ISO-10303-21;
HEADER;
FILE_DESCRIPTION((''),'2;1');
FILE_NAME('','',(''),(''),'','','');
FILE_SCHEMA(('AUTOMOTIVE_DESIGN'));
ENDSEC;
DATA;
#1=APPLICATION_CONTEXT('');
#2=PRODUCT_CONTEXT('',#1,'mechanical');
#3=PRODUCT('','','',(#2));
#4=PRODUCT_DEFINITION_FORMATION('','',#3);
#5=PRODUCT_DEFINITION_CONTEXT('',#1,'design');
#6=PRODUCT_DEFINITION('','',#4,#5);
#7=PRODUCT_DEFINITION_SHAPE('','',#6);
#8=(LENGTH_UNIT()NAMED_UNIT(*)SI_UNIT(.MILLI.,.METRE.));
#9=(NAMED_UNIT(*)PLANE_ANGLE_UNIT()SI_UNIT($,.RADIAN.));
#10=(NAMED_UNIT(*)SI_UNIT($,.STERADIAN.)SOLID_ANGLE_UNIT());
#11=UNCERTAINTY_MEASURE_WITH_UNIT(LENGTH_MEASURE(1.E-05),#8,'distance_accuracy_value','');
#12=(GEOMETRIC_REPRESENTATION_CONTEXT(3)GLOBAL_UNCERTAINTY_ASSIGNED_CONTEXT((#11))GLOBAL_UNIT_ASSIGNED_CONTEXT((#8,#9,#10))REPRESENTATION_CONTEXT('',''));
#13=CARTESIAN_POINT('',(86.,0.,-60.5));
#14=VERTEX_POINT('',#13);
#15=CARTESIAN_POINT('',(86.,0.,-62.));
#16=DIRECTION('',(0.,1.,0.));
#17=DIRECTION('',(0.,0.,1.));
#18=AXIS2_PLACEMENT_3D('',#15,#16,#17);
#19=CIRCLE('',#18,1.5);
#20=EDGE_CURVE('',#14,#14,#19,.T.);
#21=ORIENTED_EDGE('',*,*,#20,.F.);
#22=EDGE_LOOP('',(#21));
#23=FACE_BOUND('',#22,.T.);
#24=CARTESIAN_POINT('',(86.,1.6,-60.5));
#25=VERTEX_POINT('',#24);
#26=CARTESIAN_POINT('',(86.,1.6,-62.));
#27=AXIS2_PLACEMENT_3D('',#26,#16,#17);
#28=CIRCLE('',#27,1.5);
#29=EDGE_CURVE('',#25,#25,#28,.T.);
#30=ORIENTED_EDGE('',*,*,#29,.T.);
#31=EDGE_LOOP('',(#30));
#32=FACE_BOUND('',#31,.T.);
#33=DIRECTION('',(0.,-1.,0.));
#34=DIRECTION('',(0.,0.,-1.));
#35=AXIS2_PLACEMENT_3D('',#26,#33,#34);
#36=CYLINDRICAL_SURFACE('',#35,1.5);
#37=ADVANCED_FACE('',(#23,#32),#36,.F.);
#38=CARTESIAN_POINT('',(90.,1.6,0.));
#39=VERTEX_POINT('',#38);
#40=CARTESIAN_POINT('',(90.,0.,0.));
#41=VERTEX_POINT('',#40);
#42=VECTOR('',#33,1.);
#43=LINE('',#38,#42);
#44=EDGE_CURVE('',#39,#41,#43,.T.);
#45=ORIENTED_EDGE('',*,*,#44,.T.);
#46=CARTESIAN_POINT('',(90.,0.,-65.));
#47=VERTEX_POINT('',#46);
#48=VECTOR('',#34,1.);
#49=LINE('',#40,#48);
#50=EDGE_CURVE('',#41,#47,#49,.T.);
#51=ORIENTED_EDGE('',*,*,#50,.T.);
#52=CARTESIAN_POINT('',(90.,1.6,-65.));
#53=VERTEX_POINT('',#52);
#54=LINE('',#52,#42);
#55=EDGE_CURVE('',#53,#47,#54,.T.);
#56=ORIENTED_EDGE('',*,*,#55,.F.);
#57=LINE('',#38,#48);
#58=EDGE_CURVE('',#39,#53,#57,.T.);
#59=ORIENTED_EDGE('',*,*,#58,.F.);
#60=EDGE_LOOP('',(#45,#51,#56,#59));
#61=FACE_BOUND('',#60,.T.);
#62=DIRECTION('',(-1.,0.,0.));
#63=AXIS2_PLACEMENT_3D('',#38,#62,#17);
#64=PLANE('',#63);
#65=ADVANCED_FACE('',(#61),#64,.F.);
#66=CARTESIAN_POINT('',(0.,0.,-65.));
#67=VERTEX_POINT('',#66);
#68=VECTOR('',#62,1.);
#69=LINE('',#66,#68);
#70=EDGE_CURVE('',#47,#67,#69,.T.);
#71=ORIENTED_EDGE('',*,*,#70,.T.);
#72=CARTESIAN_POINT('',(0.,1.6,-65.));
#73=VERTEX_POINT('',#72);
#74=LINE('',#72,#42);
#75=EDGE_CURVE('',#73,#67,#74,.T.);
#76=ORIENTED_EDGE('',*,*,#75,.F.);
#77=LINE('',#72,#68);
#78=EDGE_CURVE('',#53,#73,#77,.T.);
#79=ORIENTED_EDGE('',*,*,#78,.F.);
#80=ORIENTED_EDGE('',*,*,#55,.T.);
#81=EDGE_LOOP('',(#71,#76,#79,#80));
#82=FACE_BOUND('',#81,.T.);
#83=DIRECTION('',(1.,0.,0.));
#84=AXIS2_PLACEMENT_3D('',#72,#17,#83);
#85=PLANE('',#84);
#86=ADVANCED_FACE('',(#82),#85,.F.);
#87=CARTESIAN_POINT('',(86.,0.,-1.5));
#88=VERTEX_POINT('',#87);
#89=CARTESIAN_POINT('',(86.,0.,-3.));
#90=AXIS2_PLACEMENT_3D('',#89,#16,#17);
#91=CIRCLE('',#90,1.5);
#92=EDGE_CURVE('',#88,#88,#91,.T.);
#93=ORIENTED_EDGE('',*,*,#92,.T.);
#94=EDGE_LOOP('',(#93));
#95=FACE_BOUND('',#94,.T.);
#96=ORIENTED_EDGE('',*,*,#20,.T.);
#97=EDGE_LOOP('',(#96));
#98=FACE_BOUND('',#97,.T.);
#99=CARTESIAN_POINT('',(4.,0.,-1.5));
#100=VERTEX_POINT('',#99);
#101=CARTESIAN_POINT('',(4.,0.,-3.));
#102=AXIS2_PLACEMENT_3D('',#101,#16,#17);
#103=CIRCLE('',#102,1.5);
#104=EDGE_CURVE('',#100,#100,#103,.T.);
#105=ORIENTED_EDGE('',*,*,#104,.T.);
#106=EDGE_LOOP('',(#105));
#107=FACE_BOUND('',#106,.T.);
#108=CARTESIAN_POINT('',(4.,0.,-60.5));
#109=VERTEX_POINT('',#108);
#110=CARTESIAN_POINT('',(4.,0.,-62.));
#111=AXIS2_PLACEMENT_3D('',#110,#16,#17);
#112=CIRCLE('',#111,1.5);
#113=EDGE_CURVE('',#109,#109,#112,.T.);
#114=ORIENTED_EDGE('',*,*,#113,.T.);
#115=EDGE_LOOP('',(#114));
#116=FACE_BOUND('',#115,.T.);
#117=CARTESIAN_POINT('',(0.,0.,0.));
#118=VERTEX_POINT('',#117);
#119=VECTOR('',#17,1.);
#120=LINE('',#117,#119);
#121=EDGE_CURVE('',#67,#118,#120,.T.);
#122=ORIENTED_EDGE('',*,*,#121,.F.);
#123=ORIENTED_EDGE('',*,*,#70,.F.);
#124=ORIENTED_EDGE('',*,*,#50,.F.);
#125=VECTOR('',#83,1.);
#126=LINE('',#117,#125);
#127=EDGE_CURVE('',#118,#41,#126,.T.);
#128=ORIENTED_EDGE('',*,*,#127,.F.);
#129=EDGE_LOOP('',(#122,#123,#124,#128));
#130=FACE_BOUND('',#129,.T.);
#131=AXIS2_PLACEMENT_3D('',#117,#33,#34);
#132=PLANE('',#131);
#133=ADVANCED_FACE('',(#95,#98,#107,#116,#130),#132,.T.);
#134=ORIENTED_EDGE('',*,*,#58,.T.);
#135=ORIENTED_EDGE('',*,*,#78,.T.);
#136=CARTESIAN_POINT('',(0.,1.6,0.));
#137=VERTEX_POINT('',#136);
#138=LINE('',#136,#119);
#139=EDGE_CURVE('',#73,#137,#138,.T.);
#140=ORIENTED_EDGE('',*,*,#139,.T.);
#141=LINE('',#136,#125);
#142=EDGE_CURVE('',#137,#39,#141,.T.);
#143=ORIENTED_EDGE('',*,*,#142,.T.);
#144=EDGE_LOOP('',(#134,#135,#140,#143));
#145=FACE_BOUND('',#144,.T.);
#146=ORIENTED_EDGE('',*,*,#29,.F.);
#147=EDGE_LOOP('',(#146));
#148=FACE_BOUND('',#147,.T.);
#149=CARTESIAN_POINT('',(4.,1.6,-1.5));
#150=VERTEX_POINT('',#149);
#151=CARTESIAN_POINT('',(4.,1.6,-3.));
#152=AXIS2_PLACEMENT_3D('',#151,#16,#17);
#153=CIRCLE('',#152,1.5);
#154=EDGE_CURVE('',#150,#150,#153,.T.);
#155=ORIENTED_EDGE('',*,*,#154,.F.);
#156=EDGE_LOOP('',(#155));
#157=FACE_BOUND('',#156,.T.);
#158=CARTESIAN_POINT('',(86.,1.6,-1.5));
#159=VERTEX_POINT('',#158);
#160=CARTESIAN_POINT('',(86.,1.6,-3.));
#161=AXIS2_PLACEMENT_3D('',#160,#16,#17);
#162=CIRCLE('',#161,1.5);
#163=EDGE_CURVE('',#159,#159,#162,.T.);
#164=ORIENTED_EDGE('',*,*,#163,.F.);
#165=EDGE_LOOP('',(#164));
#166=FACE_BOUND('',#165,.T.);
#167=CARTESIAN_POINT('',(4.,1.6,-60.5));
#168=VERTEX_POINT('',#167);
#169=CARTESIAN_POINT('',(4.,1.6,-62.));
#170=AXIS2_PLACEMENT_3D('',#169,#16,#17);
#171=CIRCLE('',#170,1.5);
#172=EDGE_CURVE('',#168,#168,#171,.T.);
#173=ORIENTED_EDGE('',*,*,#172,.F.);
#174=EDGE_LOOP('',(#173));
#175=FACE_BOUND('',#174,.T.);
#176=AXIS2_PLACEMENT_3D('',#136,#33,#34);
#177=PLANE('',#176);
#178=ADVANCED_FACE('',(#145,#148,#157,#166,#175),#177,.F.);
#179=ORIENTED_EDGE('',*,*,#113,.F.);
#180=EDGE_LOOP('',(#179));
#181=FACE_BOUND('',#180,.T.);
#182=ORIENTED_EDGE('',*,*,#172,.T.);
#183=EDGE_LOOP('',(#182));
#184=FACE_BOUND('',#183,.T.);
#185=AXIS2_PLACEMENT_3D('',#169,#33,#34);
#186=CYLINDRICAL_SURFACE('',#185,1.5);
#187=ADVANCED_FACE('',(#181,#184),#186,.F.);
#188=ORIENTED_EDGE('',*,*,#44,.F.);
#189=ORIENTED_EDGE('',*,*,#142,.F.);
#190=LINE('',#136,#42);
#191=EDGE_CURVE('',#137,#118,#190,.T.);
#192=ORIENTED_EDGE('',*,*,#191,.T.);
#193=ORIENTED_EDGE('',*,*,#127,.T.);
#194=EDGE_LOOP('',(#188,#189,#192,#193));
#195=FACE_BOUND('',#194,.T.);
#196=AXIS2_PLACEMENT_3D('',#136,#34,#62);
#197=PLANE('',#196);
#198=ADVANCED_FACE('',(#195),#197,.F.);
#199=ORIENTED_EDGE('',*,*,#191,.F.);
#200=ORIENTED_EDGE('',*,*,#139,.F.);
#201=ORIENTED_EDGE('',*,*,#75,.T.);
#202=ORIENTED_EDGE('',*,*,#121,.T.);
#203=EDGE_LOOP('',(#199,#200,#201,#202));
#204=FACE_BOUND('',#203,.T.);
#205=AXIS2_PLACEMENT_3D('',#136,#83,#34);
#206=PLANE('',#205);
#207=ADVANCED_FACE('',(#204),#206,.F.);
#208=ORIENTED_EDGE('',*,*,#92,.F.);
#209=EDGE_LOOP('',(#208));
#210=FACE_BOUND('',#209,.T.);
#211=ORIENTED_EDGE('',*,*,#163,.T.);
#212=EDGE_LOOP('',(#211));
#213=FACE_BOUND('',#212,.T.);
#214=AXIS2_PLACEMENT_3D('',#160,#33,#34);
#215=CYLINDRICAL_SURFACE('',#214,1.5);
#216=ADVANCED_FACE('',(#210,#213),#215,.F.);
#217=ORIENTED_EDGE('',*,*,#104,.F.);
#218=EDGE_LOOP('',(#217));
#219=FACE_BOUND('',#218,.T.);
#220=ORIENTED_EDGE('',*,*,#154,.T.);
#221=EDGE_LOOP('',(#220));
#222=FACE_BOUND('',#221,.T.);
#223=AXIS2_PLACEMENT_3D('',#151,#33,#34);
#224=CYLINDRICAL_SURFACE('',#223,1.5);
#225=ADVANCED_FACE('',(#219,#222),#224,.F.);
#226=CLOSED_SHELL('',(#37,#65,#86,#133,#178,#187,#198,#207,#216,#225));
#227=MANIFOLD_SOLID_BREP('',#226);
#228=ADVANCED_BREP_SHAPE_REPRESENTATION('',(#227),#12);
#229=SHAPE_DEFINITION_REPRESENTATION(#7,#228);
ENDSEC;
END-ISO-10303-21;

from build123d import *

# Parameters (mm, degrees)
SKETCH1_W           = 90
SKETCH1_H           = 65
SKETCH1_R           = 1.5
BOSS_EXTRUDE1_DEPTH = 1.6


with BuildPart() as part:
    # Sketch1 → Boss-Extrude1 (new body)
    with BuildSketch(Plane(origin=(0, 0, 0), x_dir=(1, 0, 0), z_dir=(0, 1, 0))):
        with Locations((45, 32.5)):
            Rectangle(SKETCH1_W, SKETCH1_H)
        with Locations(Location((4, 3, 0), (0, 0, 270))):
            Circle(SKETCH1_R, mode=Mode.SUBTRACT)
        with Locations(Location((86, 3, 0), (0, 0, 270))):
            Circle(SKETCH1_R, mode=Mode.SUBTRACT)
        with Locations(Location((4, 62, 0), (0, 0, 270))):
            Circle(SKETCH1_R, mode=Mode.SUBTRACT)
        with Locations(Location((86, 62, 0), (0, 0, 270))):
            Circle(SKETCH1_R, mode=Mode.SUBTRACT)
    extrude(amount=BOSS_EXTRUDE1_DEPTH)


solid = part.part
